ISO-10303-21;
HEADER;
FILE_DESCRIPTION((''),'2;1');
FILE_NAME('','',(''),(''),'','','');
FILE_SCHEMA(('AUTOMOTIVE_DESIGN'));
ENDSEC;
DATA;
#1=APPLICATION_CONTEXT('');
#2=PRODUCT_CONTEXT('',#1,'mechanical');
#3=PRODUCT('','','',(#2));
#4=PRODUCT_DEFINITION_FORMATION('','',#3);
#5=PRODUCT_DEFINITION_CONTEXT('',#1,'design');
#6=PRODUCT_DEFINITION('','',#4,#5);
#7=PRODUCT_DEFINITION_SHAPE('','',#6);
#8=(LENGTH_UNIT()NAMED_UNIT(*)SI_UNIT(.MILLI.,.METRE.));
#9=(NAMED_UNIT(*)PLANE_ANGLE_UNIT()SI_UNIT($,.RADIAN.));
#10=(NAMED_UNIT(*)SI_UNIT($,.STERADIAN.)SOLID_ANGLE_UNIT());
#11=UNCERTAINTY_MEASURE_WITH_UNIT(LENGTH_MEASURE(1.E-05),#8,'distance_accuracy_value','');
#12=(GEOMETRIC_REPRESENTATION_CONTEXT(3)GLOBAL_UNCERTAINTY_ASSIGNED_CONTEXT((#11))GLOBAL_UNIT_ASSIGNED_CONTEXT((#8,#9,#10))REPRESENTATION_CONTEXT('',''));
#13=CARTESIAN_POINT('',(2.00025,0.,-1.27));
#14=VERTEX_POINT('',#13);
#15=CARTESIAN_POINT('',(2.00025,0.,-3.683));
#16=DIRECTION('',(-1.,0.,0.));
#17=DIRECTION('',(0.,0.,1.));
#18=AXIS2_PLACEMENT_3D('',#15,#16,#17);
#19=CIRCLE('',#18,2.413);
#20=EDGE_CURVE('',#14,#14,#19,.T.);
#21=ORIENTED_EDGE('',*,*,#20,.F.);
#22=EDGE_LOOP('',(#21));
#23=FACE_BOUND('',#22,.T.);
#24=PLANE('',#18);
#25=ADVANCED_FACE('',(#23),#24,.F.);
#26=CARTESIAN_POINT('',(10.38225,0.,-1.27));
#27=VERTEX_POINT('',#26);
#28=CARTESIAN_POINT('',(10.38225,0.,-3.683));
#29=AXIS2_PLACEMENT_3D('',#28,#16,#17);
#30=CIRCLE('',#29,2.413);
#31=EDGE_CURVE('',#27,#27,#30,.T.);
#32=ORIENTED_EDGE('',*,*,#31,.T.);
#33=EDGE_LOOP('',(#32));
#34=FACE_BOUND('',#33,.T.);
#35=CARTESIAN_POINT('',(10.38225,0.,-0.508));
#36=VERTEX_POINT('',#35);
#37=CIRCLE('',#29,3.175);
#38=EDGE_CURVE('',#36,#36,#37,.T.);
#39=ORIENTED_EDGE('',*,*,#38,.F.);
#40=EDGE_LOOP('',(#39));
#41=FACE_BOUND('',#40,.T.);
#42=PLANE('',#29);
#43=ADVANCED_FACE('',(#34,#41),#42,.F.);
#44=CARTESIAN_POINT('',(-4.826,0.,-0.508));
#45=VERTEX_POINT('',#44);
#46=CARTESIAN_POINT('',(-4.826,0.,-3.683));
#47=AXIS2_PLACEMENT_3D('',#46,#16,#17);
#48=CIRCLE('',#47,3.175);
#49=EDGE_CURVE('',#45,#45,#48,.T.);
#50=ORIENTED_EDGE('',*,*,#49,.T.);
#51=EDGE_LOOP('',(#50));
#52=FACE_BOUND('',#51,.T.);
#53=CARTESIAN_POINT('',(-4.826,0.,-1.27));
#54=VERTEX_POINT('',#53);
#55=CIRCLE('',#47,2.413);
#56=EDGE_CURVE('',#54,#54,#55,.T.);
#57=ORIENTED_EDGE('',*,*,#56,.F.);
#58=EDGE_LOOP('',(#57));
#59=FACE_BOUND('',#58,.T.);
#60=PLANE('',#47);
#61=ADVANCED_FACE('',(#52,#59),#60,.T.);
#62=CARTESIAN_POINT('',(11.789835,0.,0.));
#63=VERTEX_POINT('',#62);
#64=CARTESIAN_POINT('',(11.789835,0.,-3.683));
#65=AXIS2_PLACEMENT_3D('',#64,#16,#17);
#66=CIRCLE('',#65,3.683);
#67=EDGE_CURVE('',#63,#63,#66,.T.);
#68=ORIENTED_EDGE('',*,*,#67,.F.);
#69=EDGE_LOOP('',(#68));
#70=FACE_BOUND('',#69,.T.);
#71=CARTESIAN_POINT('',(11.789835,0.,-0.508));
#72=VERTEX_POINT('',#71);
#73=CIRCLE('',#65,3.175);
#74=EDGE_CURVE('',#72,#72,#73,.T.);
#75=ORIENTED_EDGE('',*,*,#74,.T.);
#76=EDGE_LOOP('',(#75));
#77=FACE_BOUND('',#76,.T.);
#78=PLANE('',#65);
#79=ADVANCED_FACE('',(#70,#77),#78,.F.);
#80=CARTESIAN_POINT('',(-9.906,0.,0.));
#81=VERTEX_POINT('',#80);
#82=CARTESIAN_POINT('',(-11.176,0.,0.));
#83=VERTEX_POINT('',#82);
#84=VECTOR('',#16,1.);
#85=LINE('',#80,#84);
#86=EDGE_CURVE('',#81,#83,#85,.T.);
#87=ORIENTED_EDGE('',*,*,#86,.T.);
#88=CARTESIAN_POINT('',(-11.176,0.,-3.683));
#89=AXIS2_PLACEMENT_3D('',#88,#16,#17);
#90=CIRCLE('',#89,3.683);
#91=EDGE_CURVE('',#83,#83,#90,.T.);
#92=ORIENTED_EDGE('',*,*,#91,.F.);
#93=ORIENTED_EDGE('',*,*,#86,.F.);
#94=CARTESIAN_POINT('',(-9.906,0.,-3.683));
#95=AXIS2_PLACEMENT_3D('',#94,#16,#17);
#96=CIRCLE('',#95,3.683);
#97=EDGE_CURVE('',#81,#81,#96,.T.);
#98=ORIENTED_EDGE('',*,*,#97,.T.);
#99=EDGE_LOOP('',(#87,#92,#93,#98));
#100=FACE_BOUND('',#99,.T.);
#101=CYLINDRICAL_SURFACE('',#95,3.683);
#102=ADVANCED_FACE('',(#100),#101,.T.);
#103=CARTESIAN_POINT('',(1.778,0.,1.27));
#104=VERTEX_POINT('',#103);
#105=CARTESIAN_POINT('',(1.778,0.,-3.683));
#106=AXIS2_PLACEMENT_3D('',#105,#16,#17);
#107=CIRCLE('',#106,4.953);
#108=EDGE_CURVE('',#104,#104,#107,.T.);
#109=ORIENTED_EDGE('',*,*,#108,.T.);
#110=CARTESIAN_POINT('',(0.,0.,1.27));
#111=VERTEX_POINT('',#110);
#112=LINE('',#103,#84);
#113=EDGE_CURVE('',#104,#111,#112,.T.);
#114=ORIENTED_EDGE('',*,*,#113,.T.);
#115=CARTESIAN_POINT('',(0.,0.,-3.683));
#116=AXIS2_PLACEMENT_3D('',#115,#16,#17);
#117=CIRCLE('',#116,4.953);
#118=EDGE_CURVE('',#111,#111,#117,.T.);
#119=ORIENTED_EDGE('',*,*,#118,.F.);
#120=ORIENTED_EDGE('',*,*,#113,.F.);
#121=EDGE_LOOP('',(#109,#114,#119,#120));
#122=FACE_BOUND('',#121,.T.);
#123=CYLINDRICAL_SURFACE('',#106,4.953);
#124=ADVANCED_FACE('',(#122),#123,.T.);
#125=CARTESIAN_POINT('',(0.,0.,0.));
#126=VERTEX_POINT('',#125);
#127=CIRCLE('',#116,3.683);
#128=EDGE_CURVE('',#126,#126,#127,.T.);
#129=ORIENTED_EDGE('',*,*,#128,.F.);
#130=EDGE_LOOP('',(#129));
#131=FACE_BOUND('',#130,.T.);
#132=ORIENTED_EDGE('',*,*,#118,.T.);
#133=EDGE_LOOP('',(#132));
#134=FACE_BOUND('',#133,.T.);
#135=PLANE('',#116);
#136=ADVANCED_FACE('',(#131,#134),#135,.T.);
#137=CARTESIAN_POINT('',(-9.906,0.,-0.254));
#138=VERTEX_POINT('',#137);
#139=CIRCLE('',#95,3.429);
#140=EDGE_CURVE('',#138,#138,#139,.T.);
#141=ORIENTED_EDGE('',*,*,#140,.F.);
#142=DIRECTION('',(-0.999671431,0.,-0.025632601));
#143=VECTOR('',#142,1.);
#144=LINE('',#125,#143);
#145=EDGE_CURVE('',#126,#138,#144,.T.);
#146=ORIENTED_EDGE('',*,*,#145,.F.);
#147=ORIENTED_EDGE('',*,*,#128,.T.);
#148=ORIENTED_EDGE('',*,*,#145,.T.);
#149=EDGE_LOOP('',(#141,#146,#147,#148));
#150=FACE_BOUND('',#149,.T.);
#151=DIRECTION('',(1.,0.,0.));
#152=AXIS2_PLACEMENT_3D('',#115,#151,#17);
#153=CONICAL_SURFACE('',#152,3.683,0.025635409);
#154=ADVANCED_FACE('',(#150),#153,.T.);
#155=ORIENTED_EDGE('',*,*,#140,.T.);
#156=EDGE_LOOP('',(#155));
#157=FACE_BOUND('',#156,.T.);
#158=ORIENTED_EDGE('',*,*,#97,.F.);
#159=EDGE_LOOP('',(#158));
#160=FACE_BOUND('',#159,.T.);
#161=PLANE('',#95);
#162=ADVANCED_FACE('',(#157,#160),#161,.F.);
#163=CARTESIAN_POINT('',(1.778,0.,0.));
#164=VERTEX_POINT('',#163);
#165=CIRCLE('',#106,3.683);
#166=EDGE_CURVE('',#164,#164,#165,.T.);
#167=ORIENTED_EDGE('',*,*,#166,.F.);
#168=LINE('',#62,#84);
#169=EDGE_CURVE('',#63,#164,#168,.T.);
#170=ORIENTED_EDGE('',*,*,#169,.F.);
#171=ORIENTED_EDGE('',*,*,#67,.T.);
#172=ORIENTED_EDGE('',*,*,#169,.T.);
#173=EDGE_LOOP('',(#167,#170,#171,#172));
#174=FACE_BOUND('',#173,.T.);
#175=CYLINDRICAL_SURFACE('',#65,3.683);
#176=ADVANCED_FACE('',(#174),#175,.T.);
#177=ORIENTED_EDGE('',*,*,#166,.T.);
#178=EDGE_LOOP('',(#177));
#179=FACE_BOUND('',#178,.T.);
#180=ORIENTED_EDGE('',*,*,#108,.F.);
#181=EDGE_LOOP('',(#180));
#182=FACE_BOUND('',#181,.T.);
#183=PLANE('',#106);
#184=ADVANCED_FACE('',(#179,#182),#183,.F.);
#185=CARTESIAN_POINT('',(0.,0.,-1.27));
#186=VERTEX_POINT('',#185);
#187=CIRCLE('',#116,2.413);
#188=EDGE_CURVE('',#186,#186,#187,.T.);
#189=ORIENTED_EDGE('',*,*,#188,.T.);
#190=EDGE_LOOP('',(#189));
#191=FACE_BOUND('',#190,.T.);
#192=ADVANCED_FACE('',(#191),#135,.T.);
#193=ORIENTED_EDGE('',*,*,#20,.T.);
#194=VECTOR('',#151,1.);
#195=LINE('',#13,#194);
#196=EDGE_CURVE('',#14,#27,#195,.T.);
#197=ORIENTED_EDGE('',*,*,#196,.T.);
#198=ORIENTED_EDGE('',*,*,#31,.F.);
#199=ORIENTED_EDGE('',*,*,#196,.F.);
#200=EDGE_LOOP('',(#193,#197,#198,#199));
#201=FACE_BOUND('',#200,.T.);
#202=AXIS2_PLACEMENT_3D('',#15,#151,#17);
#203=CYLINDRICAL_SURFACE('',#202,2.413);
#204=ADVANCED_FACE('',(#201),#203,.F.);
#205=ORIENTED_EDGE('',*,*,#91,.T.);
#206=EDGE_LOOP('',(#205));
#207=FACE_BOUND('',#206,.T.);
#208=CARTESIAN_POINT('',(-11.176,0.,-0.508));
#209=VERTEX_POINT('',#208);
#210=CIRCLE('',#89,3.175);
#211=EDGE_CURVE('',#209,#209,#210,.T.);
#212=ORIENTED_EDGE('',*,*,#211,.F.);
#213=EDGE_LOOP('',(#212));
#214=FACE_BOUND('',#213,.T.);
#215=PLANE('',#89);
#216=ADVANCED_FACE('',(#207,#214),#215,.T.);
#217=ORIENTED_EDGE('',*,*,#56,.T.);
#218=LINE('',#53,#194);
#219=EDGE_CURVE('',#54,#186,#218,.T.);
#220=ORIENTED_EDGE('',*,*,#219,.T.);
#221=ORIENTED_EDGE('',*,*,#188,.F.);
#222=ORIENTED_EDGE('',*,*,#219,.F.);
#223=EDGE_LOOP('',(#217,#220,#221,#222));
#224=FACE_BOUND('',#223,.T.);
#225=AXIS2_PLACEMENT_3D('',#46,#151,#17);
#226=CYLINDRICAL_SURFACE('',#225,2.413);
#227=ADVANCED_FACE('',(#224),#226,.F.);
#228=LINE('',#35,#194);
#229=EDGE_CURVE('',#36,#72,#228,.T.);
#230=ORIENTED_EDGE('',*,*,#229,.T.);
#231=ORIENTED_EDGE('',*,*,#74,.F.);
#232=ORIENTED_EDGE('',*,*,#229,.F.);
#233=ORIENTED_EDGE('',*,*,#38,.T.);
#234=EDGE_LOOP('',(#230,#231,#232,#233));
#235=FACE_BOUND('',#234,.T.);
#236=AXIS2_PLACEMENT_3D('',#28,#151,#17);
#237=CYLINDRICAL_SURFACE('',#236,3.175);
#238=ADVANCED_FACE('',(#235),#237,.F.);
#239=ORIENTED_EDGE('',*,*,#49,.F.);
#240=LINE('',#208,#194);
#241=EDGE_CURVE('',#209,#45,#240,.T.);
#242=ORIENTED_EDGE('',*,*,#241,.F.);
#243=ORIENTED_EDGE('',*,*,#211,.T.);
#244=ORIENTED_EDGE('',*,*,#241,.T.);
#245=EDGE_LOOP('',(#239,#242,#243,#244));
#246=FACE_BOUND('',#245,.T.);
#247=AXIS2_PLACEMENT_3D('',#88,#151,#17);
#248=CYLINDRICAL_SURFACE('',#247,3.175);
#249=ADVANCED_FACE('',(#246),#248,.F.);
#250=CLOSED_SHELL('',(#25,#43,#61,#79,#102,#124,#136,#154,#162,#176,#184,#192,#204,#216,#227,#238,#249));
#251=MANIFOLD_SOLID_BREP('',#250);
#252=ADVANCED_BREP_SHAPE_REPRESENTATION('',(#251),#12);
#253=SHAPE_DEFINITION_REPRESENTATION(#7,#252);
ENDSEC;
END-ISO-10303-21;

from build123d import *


with BuildPart() as f1:
    # F0 (on Front) → F1 (revolve)
    with BuildSketch(Plane.XZ):
        Polygon((0, 1.27), (0, 0), (-9.906, -0.254), (-9.906, 0), (-11.176, 0), (-11.176, -0.508), (-4.826, -0.508), (-4.826, -1.27), (0, -1.27), (0, -3.683), (2.00025, -3.683), (2.00025, -1.27), (10.38225, -1.27), (10.38225, -0.508), (11.789835, -0.508), (11.789835, 0), (1.778, 0), (1.778, 1.27), align=None)
    revolve(axis=Axis((-0.71389, 0, -3.683), (-1, 0, 0)))


solid = f1.part
